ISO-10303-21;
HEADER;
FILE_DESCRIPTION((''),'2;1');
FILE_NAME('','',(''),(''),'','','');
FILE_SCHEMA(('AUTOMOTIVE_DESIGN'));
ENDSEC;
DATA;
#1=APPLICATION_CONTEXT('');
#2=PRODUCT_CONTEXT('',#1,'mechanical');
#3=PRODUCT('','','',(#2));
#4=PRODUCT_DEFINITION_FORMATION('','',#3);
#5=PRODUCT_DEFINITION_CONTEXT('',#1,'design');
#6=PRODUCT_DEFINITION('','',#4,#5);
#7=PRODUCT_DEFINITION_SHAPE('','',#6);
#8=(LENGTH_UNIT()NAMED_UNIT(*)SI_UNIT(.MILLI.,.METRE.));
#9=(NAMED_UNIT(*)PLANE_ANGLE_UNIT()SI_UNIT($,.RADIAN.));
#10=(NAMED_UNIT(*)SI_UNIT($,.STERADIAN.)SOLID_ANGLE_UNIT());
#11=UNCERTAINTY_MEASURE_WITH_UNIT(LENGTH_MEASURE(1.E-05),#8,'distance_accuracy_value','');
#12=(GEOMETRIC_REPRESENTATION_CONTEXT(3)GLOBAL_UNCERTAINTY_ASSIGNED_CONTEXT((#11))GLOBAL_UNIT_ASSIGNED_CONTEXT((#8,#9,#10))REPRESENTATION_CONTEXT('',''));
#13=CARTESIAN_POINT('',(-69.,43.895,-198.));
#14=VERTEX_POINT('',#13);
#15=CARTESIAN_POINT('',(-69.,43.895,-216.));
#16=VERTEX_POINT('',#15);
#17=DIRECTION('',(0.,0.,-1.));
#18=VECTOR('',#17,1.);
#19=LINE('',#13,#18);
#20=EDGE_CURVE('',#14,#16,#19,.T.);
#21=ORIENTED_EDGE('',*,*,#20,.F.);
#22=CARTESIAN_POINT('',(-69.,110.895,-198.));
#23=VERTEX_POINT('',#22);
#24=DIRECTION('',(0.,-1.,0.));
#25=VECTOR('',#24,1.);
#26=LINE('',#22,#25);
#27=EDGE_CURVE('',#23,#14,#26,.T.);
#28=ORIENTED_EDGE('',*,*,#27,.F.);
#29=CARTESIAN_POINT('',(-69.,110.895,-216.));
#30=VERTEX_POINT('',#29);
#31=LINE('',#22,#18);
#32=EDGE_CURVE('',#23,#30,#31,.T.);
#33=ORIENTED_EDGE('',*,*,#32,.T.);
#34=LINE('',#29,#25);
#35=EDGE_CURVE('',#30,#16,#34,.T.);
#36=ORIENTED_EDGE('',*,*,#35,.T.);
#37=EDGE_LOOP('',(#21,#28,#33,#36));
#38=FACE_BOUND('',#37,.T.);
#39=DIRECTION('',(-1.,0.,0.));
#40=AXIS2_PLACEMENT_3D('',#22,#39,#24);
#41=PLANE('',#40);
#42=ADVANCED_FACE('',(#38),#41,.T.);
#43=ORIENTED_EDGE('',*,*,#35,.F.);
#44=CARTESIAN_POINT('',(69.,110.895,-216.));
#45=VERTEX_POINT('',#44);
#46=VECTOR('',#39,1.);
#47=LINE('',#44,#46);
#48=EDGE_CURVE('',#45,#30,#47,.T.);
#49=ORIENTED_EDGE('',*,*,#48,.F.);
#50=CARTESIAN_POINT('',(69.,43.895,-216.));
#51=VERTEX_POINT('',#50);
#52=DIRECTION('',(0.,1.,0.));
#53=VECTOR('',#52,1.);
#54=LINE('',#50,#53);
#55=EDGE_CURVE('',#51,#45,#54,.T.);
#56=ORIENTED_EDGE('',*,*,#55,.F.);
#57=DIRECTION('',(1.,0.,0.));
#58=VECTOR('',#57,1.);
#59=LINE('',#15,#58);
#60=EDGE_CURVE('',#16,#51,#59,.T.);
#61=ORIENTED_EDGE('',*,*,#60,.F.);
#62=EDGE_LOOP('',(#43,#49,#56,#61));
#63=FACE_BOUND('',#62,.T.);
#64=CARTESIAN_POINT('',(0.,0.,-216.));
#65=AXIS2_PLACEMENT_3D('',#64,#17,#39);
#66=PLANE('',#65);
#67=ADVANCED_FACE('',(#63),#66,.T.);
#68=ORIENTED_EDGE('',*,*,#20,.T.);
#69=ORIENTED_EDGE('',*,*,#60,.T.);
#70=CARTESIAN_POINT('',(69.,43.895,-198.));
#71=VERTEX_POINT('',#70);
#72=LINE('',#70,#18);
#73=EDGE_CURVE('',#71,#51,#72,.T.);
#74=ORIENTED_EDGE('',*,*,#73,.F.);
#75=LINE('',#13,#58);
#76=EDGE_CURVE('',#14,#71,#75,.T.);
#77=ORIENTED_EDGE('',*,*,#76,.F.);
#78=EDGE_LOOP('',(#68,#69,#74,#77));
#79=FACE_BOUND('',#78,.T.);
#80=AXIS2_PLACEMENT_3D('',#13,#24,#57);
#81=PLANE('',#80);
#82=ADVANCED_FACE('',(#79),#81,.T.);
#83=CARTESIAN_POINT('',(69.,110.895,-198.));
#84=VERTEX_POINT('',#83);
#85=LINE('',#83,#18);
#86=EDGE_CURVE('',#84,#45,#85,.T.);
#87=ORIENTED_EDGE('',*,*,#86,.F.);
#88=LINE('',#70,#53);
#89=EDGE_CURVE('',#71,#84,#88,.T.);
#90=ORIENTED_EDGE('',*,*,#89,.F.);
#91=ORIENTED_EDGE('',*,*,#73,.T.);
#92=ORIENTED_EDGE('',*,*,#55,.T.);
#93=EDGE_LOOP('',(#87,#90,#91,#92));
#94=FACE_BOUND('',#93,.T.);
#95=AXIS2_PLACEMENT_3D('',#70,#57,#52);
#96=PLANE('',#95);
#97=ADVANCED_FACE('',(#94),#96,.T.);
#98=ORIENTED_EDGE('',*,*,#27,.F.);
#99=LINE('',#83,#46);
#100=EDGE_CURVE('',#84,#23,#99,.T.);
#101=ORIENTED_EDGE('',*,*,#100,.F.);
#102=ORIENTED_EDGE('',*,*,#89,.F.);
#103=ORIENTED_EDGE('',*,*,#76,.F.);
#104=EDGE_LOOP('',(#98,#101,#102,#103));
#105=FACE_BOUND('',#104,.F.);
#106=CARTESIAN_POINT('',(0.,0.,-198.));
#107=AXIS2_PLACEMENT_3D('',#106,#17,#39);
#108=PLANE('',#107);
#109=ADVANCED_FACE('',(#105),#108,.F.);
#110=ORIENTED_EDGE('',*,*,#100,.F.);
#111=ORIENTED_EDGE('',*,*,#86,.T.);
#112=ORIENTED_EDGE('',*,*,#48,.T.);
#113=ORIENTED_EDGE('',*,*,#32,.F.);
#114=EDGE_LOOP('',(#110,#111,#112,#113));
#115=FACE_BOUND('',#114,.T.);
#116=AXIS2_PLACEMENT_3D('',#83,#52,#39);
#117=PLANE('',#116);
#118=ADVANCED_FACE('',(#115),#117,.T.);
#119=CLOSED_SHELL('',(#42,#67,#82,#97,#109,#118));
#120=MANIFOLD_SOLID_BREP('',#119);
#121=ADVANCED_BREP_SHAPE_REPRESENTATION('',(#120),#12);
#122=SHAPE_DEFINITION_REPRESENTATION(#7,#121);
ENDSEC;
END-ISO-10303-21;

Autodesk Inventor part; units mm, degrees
ref_plane "YZ Plane" through (0, 0, 0) normal (1, 0, 0) x (0, 1, 0)
ref_plane "XZ Plane" through (0, 0, 0) normal (0, 1, 0) x (-1, 0, 0)
ref_plane "XY Plane" through (0, 0, 0) normal (0, 0, 1) x (1, 0, 0)
ref_plane "РабПлоскость1" through (0, 0, -198) normal (0, 0, -1) x (-1, 0, 0)
sketch "Эскиз1" plane through (0, 0, -198) normal (0, 0, -1) x (-1, 0, 0)
  line L0 (-69, 110.895) -> (69, 110.895)
  line L1 (69, 110.895) -> (69, 43.895)
  line L2 (69, 43.895) -> (-69, 43.895)
  line L3 (-69, 43.895) -> (-69, 110.895)
  line L4 (-69, 110.895) -> (69, 43.895) construction
  line L5 (69, 110.895) -> (-69, 43.895) construction
  point P0 (0, 0)
  point P1 (0, 77.395)
  dimension "d0" = 138
  dimension "d1" = 67
extrude "Выдавливание1" add sketch "Эскиз1" along normal blind 18
properties part number "ЛЦМК000002.00.00.00.00.09"
